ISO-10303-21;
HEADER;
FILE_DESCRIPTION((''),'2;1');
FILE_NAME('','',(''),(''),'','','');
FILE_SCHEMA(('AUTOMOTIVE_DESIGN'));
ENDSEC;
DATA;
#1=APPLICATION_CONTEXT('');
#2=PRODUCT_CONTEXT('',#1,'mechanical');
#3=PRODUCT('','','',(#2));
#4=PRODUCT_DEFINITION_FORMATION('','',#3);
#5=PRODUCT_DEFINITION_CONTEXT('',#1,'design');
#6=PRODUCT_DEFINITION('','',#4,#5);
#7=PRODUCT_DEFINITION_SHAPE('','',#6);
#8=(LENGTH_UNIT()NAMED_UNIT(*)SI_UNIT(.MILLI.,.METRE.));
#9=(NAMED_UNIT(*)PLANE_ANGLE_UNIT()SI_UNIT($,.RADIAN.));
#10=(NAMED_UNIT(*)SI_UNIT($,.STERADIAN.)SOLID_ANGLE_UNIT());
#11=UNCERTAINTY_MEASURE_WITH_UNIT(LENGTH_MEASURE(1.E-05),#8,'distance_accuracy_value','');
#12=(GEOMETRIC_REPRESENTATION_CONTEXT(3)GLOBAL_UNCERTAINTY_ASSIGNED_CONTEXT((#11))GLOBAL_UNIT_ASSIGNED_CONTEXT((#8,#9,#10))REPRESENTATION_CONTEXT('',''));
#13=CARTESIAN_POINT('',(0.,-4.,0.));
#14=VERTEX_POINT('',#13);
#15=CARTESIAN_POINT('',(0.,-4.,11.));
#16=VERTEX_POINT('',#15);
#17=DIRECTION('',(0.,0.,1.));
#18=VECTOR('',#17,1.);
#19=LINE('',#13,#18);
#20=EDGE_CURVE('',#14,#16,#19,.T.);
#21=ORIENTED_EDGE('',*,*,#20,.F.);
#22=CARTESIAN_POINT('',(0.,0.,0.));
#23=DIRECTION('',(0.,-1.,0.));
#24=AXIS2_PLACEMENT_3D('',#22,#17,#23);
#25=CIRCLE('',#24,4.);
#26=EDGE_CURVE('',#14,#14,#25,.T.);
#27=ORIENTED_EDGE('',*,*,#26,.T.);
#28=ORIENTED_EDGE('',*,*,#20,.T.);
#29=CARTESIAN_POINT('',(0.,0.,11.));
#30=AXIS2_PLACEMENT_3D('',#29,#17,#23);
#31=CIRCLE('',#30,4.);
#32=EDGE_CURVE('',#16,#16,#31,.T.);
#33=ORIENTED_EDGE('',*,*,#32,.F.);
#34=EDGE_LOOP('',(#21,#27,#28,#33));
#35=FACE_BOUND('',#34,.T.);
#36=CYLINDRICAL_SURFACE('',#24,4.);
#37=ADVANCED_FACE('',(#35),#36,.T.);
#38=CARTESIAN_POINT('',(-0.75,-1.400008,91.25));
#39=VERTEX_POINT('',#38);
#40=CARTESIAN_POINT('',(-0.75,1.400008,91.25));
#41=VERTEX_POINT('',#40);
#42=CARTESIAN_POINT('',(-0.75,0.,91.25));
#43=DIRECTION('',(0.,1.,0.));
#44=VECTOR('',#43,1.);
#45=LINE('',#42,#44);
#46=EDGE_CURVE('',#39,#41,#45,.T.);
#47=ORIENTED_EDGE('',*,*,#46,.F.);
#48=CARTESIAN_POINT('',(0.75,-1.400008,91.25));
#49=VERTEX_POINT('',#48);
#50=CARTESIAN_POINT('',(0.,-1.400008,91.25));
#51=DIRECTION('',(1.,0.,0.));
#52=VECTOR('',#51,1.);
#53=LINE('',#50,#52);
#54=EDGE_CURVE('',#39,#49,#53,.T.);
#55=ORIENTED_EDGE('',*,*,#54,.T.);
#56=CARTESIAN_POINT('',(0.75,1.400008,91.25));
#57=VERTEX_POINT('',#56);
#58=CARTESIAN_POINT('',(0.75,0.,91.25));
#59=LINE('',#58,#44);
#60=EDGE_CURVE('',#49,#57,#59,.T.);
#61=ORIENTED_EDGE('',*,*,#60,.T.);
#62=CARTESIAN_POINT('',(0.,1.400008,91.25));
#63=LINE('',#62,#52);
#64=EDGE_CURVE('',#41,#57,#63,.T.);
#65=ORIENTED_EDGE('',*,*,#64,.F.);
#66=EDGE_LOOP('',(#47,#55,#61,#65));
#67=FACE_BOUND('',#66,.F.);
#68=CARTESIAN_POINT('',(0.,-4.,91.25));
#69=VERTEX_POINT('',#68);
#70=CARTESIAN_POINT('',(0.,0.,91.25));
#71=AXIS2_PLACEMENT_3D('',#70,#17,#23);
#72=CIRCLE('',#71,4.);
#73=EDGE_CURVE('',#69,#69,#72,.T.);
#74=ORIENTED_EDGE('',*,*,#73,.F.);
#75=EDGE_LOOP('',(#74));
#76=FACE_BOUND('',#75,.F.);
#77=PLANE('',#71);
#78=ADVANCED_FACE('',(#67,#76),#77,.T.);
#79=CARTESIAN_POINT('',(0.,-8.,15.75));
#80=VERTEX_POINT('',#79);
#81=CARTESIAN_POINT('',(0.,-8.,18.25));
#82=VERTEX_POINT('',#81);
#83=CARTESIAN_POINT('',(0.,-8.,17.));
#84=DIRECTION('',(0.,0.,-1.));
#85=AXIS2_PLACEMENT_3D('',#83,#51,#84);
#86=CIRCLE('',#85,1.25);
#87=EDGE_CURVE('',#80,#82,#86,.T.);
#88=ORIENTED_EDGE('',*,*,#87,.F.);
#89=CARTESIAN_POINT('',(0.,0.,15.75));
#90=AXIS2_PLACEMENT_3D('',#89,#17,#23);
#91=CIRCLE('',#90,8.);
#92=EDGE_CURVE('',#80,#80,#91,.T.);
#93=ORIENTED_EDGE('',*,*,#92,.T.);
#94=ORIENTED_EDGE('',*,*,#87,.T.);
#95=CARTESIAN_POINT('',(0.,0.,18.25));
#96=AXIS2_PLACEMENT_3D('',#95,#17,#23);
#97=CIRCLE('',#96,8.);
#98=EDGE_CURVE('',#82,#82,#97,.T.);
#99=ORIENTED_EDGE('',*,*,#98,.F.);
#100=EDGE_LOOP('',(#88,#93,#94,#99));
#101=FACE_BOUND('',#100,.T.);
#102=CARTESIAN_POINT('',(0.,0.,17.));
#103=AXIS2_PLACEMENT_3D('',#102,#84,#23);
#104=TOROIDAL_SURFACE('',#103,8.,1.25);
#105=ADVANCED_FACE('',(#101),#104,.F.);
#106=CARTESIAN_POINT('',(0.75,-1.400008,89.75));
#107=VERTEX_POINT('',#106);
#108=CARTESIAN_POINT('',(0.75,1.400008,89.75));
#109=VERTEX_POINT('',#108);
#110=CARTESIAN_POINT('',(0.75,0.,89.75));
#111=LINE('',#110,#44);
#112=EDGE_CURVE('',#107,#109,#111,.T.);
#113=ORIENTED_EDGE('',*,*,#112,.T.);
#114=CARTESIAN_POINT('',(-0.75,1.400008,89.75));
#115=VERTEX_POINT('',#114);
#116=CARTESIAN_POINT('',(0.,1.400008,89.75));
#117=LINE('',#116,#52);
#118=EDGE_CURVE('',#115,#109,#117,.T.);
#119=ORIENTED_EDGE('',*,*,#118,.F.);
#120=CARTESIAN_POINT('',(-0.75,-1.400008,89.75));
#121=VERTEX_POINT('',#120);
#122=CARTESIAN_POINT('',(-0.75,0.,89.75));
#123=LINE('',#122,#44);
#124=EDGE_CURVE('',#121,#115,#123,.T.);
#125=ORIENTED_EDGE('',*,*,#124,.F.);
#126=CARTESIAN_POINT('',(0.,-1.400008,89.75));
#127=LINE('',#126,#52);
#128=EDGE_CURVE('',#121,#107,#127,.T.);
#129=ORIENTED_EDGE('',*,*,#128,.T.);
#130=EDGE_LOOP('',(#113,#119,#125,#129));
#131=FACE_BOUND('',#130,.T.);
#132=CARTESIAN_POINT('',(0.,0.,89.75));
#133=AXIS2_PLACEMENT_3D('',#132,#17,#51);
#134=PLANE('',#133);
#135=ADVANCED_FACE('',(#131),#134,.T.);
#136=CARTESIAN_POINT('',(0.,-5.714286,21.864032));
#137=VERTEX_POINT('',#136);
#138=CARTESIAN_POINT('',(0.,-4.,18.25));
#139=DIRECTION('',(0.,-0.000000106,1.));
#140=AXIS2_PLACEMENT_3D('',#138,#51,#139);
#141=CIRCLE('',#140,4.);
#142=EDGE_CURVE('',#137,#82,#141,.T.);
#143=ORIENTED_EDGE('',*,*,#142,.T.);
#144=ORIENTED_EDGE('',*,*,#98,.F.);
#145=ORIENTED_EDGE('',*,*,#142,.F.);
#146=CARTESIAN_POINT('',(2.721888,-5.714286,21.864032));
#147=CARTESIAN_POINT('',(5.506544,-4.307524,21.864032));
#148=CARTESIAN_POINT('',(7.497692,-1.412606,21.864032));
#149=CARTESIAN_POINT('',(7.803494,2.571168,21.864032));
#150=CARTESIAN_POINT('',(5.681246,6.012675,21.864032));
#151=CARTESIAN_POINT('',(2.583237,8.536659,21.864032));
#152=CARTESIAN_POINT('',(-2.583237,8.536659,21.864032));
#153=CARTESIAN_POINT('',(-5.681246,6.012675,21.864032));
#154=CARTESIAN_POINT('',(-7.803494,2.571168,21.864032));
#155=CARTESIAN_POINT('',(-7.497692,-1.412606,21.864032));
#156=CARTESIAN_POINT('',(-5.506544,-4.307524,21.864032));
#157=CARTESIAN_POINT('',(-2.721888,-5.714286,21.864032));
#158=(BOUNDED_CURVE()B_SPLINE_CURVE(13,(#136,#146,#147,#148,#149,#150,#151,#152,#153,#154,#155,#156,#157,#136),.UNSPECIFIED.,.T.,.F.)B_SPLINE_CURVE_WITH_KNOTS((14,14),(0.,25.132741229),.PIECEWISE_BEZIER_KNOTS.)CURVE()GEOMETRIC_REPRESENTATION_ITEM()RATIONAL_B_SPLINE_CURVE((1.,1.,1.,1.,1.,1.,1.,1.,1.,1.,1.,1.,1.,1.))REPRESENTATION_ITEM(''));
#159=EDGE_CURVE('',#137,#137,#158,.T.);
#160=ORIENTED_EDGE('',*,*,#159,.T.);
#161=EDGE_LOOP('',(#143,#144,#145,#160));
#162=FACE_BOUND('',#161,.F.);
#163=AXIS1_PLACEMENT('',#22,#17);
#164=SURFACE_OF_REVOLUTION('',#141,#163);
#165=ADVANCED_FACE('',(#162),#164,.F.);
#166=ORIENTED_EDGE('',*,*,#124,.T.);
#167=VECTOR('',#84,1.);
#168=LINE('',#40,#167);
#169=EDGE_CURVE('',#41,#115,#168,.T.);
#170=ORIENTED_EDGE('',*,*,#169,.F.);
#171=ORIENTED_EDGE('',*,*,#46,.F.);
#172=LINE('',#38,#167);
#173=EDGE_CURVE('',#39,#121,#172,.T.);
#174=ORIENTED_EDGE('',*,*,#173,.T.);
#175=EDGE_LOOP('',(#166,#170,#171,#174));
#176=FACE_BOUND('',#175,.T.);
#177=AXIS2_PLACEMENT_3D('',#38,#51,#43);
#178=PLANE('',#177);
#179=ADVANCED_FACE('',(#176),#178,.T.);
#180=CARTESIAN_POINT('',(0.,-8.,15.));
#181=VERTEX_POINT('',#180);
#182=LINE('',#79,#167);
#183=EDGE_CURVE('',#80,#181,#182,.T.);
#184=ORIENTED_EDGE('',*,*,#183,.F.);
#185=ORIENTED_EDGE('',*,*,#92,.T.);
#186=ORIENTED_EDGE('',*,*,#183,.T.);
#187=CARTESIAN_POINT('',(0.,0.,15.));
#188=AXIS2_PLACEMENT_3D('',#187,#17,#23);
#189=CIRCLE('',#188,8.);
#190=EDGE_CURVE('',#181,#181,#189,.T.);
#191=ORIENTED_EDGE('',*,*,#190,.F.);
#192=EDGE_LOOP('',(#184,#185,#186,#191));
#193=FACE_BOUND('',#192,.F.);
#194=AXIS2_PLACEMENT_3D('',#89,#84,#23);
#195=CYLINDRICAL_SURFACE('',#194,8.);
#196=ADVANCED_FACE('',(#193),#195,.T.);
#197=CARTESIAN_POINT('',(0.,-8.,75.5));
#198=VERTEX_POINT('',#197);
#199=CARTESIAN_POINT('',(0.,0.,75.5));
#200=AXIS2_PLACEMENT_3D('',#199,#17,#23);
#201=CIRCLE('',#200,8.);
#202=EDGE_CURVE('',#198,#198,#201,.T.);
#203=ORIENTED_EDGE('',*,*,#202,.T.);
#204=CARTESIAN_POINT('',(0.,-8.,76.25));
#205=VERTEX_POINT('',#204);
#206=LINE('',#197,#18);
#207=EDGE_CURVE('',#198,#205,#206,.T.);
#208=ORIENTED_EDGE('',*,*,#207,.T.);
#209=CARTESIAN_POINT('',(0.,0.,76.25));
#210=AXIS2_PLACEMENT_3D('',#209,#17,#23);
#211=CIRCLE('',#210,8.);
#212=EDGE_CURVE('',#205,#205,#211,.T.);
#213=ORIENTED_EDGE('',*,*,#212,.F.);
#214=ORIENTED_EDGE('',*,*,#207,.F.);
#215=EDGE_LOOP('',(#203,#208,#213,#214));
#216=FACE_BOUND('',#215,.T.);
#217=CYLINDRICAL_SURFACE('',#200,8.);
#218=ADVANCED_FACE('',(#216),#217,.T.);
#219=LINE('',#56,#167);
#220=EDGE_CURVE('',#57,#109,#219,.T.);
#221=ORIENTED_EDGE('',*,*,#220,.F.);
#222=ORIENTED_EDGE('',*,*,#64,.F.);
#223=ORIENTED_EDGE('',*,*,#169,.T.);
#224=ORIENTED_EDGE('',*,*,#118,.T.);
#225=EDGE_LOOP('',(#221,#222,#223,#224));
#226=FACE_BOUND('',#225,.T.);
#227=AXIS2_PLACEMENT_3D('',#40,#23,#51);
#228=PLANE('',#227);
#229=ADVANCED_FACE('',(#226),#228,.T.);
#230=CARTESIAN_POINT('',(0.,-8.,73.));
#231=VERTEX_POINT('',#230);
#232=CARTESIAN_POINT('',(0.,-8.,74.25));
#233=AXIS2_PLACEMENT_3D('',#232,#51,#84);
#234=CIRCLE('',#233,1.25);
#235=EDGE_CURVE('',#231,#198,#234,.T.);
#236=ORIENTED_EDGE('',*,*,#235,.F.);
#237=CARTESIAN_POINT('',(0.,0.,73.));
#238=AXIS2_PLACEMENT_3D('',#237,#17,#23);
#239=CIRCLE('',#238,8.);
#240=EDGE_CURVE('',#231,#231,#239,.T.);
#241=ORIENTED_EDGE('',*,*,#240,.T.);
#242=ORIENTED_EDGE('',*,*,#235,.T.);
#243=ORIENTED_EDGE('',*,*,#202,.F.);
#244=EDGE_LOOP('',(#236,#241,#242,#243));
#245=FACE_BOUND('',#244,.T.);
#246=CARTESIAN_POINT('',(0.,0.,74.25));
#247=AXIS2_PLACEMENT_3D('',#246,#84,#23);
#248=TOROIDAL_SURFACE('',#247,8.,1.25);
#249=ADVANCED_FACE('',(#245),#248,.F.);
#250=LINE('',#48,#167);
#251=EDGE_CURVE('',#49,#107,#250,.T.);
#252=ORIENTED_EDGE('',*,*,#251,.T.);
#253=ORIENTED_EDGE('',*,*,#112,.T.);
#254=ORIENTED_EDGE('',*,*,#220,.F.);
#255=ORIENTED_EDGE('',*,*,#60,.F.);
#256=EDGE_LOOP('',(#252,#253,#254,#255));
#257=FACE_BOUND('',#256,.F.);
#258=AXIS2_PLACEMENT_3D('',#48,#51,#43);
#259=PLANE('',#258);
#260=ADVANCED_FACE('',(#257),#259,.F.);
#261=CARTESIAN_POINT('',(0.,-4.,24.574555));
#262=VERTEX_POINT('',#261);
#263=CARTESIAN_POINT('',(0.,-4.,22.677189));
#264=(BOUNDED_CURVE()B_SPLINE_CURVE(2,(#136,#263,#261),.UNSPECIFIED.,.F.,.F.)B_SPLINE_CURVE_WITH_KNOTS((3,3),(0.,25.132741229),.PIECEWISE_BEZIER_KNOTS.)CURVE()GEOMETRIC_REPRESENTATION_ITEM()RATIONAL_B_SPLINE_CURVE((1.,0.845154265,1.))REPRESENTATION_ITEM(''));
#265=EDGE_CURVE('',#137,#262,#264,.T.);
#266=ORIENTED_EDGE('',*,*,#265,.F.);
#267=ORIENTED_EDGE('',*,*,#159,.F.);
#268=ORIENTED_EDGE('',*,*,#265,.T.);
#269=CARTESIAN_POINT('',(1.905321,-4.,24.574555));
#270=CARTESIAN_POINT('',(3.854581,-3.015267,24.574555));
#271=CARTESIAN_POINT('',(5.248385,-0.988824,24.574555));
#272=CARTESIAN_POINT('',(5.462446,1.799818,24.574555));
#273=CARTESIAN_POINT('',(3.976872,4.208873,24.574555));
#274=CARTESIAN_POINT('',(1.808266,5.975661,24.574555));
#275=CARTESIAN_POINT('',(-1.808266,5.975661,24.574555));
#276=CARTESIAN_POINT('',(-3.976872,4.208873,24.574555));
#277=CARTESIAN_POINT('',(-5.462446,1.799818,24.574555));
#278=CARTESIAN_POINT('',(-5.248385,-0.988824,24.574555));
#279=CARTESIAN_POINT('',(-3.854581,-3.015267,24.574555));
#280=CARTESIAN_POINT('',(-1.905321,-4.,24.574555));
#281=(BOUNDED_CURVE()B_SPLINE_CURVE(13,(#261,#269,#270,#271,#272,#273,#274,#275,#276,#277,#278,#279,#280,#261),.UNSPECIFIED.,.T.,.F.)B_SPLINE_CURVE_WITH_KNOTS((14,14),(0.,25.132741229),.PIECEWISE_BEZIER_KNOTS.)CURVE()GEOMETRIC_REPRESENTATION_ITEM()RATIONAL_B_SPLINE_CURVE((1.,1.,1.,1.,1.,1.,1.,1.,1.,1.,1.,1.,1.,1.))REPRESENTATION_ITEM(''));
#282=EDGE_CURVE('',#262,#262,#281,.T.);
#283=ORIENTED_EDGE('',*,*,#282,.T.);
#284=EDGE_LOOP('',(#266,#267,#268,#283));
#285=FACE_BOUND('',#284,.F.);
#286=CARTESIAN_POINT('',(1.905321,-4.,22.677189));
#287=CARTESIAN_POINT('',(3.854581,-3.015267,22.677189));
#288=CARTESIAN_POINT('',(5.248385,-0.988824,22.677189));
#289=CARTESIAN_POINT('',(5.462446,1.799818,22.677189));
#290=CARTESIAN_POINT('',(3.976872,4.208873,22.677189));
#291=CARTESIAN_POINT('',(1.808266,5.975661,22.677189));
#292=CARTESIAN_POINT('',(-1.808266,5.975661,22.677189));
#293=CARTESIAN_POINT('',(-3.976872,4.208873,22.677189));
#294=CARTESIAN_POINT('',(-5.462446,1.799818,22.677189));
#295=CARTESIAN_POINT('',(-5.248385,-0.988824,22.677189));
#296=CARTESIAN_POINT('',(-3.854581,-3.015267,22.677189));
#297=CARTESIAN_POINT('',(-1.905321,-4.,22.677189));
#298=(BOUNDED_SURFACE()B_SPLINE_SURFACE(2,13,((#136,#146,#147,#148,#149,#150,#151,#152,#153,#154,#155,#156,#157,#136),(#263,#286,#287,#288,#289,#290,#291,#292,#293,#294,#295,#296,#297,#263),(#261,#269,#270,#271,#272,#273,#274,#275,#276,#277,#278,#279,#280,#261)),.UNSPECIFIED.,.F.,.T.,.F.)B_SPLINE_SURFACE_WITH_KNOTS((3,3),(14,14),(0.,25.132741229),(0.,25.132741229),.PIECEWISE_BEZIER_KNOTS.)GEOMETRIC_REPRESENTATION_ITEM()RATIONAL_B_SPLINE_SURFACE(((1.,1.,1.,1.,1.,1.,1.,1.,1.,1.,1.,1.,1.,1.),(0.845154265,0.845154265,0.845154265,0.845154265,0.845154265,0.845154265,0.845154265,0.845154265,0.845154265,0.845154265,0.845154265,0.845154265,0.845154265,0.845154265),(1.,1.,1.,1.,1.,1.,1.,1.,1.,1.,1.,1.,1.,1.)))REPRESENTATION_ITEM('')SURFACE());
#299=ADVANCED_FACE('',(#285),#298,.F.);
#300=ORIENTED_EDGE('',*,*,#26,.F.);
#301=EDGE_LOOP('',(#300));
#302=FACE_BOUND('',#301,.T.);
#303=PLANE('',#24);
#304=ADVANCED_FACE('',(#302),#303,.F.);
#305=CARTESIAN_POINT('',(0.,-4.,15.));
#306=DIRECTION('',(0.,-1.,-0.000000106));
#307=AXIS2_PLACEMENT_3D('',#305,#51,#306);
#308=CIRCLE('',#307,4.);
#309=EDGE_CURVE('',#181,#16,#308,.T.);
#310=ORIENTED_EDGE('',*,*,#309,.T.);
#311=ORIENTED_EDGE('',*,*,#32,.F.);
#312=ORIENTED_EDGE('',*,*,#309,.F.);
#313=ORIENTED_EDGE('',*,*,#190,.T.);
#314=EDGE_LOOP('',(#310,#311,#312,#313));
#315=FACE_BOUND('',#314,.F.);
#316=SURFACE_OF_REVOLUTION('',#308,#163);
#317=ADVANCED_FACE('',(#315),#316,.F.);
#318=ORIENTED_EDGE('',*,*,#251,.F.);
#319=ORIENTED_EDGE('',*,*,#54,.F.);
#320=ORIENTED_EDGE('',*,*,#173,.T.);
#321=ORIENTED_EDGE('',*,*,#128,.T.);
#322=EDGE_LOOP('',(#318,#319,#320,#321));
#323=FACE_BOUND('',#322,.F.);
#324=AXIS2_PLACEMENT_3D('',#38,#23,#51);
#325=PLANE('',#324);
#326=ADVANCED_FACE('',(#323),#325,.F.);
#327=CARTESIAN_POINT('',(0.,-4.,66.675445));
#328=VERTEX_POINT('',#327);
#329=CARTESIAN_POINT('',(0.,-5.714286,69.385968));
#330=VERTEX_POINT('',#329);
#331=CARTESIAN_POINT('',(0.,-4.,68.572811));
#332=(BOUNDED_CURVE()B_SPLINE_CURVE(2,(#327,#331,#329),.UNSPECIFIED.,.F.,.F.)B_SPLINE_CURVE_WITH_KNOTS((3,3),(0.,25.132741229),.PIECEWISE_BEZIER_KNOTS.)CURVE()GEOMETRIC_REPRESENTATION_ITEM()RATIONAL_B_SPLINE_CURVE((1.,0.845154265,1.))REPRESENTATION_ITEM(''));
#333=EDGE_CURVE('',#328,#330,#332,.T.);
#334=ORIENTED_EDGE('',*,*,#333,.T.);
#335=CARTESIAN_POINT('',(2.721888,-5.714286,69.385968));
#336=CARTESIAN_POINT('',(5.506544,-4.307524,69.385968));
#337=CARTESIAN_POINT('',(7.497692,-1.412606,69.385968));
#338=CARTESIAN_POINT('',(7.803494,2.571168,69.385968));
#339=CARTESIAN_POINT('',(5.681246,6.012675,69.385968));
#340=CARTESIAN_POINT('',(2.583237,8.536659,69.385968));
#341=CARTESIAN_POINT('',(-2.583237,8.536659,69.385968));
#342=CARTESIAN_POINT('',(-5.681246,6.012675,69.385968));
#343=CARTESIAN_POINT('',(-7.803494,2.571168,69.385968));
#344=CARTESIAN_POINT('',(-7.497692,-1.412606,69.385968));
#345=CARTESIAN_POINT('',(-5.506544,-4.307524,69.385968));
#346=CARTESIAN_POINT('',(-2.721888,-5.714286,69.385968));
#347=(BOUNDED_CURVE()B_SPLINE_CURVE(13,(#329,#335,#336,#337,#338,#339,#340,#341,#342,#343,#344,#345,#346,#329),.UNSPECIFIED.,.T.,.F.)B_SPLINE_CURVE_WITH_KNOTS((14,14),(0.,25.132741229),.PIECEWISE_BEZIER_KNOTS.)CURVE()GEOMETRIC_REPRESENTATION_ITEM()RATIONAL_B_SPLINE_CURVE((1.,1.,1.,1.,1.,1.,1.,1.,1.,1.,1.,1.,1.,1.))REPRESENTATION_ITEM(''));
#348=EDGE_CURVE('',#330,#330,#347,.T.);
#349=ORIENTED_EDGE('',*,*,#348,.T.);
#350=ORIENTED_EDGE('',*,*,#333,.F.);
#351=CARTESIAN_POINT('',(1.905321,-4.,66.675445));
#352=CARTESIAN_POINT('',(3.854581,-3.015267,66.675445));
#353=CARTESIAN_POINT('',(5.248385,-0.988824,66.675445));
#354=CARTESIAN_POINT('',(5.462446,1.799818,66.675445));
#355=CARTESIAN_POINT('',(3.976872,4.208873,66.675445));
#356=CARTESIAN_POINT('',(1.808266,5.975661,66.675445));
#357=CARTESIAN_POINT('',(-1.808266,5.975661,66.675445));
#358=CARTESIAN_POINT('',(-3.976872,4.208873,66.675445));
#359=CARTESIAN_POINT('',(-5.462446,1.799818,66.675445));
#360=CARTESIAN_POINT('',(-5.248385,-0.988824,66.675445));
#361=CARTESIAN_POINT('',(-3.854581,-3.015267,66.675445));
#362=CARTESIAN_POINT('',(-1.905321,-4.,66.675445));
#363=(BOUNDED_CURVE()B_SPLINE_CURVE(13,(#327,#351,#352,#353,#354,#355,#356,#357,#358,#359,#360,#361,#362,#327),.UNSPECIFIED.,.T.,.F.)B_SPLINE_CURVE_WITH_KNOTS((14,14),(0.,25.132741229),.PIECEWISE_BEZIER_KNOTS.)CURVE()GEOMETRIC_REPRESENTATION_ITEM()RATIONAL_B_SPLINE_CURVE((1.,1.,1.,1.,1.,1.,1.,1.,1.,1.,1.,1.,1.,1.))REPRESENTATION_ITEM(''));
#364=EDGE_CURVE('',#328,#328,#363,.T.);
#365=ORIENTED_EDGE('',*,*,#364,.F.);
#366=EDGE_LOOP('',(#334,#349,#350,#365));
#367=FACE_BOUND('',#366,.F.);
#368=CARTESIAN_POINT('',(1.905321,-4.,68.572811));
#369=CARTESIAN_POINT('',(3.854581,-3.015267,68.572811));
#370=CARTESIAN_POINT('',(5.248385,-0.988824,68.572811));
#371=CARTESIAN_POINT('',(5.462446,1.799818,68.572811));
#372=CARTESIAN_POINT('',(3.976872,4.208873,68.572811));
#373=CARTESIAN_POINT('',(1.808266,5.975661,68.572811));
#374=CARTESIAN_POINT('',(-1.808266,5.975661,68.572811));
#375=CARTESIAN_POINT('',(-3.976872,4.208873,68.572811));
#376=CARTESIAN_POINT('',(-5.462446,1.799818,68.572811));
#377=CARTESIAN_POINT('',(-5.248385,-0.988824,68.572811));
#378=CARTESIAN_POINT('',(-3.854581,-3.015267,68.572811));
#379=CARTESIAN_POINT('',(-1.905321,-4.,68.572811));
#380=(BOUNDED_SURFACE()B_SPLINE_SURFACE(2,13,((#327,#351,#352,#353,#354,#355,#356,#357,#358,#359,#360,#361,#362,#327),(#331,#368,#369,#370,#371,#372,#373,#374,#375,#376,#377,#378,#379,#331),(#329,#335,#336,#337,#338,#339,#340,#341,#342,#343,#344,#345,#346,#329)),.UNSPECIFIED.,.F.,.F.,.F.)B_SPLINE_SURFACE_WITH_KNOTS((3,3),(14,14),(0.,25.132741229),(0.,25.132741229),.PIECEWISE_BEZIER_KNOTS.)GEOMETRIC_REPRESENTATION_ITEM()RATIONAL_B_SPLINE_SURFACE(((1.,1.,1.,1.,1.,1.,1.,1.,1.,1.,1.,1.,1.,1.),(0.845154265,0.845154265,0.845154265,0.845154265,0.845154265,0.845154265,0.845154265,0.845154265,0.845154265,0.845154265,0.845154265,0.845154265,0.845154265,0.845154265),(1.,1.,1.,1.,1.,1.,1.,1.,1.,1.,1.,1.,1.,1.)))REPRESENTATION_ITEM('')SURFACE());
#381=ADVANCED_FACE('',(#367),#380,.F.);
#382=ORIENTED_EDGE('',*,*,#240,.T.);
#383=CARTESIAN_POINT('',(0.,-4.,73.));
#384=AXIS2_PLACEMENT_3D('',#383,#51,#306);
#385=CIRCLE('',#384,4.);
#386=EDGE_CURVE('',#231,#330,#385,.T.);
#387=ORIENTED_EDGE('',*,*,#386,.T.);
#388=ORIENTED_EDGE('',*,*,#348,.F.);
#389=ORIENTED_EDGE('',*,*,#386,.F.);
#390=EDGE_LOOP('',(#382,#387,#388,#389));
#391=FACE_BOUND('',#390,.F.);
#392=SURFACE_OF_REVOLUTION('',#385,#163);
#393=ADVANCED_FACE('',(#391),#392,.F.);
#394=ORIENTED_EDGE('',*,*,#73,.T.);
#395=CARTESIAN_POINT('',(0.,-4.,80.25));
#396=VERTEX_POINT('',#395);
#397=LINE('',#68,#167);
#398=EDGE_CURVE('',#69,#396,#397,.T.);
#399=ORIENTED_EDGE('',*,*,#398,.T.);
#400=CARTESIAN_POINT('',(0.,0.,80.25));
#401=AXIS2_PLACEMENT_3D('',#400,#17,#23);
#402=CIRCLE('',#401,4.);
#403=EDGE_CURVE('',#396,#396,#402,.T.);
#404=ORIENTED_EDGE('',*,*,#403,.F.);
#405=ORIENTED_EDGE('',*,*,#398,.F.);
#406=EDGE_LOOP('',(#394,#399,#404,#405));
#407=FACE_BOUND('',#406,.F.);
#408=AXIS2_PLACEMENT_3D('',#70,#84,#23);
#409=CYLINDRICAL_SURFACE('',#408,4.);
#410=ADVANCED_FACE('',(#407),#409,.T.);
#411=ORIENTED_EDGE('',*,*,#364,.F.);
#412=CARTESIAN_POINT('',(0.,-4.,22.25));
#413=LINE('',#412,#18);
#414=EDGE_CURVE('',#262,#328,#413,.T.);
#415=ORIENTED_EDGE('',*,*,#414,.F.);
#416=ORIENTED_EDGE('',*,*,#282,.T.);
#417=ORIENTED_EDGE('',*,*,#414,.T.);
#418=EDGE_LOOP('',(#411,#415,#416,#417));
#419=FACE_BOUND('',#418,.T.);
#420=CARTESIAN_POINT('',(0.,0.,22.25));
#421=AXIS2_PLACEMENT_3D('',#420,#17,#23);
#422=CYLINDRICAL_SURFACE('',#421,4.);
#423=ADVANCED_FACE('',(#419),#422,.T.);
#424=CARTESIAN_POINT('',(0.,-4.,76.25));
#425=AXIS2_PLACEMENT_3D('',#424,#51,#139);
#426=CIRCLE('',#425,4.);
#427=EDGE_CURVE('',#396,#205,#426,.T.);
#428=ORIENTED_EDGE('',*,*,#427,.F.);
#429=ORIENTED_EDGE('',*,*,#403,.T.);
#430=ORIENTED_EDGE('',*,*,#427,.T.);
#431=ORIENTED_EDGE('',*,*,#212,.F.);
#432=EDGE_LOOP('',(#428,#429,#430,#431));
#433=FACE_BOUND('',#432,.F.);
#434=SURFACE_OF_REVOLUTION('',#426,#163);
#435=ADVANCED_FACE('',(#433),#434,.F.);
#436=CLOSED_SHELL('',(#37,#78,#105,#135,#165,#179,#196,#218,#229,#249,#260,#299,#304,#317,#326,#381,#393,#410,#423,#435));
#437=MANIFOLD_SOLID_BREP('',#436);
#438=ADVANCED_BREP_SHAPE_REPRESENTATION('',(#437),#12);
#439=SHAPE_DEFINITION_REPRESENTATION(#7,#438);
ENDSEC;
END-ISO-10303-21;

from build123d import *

# Parameters (mm, degrees)
FILLET_R     = 3
SKETCH001_W  = 1.5
SKETCH001_H  = 2.800016
POCKET_DEPTH = 1.5


with BuildPart() as part:
    # Sketch → Revolution (revolve)
    with BuildSketch(Plane.YZ):
        with BuildLine():
            Line((0, 0), (-4, 0))
            Line((-4, 0), (-4, 11))
            ThreePointArc((-8, 15), (-6.828427, 12.171573), (-4, 11))
            Line((-8, 15.75), (-8, 15))
            ThreePointArc((-8, 15.75), (-6.75, 17), (-8, 18.25))
            ThreePointArc((-4, 22.25), (-6.828427, 21.078427), (-8, 18.25))
            Line((-4, 22.25), (-4, 69))
            ThreePointArc((-8, 73), (-6.828427, 70.171573), (-4, 69))
            ThreePointArc((-8, 73), (-6.75, 74.25), (-8, 75.5))
            Line((-8, 75.5), (-8, 76.25))
            ThreePointArc((-4, 80.25), (-6.828427, 79.078427), (-8, 76.25))
            Line((-4, 91.25), (-4, 80.25))
            Line((0, 91.25), (-4, 91.25))
            Line((0, 0), (0, 91.25))
        make_face()
    revolve(axis=Axis((0, 0, 0), (0, 0, 1)))

    # Fillet
    fillet_edges = [part.edges().sort_by_distance(p)[0] for p in [
        (0, 4, 22.25),
        (0, 4, 69),
        (0, -4, 45.625),
    ]]
    fillet(fillet_edges, radius=FILLET_R)

    # Sketch001 → Pocket (cut)
    with BuildSketch(Plane.XY.offset(91.25)):
        Rectangle(SKETCH001_W, SKETCH001_H)
    extrude(amount=-POCKET_DEPTH, mode=Mode.SUBTRACT)


solid = part.part
